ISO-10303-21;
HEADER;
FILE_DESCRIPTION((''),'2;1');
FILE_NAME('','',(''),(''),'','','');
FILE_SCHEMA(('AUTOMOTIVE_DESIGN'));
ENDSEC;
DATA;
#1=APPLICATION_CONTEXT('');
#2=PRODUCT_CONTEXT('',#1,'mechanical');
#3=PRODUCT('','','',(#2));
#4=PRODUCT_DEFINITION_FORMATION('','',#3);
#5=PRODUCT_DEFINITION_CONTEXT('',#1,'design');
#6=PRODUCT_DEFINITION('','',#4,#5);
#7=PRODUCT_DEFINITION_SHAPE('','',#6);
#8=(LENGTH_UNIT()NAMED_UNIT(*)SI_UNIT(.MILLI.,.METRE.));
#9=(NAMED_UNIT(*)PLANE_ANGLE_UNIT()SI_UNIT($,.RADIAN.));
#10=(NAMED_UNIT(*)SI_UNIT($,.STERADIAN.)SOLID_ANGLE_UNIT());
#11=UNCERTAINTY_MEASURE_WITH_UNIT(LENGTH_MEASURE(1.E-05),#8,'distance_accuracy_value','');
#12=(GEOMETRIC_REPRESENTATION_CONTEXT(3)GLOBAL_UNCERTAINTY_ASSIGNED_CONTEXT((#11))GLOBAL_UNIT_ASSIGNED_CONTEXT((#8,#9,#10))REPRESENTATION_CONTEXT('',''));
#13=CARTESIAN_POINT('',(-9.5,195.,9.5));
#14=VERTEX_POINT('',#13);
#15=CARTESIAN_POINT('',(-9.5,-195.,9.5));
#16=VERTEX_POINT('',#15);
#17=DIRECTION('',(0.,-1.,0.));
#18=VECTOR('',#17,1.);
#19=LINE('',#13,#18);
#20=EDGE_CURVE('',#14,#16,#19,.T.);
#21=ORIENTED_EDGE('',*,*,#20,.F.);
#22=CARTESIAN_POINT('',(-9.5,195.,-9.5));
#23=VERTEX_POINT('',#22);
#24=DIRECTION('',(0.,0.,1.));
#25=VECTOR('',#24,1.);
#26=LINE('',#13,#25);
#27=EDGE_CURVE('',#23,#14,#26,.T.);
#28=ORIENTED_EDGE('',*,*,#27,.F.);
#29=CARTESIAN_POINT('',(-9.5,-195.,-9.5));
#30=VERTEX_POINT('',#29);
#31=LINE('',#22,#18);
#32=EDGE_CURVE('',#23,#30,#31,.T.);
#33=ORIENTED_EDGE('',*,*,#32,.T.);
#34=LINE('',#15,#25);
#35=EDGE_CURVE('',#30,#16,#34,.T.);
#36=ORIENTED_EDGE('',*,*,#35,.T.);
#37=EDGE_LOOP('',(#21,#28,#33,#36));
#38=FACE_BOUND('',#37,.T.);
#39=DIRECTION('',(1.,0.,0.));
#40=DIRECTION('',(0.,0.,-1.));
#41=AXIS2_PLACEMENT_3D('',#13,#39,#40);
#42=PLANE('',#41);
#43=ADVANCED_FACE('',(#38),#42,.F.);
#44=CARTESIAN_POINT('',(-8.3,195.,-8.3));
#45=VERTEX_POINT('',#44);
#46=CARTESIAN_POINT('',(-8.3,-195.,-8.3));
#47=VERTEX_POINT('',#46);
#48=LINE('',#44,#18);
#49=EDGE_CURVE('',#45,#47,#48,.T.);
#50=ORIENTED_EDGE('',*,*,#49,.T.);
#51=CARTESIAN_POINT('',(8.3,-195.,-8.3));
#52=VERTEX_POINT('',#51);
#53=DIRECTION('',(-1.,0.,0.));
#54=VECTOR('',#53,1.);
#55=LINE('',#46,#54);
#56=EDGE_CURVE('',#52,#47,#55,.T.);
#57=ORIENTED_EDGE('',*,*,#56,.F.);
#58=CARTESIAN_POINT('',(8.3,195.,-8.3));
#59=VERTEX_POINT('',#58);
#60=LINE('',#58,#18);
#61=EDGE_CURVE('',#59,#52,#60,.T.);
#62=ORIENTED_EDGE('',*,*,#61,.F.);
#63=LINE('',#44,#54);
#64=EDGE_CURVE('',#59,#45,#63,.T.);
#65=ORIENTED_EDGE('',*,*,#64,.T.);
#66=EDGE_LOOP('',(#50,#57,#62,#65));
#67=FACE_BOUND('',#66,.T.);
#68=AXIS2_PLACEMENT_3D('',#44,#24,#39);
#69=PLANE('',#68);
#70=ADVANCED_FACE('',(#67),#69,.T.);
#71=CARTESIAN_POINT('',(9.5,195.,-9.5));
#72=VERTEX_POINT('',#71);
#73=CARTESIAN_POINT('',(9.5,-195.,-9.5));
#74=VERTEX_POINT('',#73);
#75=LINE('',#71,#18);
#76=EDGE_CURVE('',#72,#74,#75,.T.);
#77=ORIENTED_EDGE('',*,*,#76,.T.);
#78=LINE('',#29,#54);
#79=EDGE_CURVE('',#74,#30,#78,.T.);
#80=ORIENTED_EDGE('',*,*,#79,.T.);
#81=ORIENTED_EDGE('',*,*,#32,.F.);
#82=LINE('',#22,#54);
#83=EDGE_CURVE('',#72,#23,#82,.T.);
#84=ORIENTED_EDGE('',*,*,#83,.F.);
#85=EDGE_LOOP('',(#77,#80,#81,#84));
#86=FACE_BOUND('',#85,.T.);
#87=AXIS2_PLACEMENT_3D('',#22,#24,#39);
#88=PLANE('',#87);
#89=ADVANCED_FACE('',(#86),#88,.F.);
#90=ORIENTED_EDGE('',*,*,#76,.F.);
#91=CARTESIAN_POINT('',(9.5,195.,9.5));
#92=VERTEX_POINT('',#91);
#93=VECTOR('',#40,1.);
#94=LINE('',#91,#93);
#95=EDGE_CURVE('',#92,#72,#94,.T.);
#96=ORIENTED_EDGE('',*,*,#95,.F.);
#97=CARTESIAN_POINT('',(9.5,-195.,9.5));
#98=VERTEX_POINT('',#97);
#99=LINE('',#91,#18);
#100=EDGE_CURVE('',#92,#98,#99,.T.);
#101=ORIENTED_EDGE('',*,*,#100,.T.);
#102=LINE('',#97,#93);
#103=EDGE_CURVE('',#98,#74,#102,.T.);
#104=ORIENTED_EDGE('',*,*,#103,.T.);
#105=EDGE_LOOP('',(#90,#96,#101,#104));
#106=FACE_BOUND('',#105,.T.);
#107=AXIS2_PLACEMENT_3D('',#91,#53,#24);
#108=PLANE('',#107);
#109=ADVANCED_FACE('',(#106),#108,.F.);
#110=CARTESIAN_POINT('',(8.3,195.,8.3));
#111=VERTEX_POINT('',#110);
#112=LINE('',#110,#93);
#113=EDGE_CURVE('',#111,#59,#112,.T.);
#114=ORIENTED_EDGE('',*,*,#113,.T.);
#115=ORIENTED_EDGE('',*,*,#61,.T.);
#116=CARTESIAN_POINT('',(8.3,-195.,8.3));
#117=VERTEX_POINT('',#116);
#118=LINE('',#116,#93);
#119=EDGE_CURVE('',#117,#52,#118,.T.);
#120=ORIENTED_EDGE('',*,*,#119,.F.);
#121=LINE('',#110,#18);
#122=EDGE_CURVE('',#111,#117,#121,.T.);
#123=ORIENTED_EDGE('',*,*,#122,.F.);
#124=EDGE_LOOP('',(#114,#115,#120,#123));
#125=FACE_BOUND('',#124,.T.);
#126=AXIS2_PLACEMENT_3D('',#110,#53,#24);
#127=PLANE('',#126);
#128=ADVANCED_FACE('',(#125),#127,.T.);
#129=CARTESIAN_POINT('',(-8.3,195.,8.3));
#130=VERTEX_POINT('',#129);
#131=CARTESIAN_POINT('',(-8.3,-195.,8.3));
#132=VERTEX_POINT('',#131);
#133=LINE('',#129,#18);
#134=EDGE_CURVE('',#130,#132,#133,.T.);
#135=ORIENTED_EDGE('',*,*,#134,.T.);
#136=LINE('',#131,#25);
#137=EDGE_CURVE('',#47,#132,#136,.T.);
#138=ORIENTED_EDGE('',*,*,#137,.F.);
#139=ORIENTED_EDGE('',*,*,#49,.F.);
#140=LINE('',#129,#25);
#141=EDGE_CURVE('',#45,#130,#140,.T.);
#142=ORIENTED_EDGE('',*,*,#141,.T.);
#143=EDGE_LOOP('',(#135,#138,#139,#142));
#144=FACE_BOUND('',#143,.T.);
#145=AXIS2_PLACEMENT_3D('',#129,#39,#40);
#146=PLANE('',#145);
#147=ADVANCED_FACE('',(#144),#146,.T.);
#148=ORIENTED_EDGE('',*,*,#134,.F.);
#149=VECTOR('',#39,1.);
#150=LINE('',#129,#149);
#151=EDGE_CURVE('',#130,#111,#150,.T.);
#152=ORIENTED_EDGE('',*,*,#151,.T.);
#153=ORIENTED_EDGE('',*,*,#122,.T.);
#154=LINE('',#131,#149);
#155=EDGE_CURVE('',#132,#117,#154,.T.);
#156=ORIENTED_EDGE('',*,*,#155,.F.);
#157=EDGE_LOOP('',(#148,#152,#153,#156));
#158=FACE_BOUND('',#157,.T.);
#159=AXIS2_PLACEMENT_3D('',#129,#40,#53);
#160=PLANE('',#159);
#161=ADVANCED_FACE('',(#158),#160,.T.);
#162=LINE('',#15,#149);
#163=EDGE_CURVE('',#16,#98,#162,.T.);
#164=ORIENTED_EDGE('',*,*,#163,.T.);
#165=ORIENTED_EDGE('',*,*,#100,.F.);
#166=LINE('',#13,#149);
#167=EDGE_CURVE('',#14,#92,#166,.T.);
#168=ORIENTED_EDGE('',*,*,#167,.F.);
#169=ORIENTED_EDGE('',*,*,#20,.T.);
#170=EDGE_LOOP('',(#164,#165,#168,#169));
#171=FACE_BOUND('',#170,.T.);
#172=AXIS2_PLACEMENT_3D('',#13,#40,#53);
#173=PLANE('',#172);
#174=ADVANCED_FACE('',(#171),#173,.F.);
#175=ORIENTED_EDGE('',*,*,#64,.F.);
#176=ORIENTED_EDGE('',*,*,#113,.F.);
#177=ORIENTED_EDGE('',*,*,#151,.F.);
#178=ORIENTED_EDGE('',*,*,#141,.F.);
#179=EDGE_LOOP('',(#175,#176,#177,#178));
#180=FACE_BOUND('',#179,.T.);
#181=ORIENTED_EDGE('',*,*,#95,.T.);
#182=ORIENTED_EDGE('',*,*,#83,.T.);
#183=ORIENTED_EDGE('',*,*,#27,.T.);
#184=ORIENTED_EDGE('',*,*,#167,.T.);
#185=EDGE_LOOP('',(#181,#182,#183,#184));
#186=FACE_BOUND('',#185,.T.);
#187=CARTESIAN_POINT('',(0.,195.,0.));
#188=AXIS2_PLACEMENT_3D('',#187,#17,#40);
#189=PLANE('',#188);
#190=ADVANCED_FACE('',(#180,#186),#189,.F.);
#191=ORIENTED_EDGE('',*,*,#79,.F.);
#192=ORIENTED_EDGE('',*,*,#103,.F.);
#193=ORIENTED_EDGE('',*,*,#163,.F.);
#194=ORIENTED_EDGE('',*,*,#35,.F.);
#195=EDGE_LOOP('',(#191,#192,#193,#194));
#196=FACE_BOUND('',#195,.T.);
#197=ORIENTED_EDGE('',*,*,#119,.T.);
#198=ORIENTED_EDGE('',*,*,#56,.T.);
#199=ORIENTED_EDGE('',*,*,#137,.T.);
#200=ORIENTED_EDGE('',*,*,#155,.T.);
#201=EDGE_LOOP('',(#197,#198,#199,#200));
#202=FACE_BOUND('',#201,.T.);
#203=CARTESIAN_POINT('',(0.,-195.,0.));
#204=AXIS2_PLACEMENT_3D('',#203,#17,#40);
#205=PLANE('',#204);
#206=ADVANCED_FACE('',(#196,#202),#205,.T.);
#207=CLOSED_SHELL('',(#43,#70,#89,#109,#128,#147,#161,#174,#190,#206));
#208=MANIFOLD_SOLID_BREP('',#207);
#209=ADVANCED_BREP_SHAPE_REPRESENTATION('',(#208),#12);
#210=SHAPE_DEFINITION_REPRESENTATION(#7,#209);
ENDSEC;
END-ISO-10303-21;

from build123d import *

# Parameters (mm, degrees)
SKETCH1_W           = 19
SKETCH1_H           = 19
SKETCH1_W_2         = 16.6
SKETCH1_H_2         = 16.6
BOSS_EXTRUDE1_DEPTH = 195


with BuildPart() as part:
    # Sketch1 → Boss-Extrude1 (new, symmetric)
    with BuildSketch(Plane(origin=(0, 0, 0), x_dir=(1, 0, 0), z_dir=(0, 1, 0))):
        Rectangle(SKETCH1_W, SKETCH1_H)
        Rectangle(SKETCH1_W_2, SKETCH1_H_2, mode=Mode.SUBTRACT)
    extrude(amount=BOSS_EXTRUDE1_DEPTH, both=True)


solid = part.part
